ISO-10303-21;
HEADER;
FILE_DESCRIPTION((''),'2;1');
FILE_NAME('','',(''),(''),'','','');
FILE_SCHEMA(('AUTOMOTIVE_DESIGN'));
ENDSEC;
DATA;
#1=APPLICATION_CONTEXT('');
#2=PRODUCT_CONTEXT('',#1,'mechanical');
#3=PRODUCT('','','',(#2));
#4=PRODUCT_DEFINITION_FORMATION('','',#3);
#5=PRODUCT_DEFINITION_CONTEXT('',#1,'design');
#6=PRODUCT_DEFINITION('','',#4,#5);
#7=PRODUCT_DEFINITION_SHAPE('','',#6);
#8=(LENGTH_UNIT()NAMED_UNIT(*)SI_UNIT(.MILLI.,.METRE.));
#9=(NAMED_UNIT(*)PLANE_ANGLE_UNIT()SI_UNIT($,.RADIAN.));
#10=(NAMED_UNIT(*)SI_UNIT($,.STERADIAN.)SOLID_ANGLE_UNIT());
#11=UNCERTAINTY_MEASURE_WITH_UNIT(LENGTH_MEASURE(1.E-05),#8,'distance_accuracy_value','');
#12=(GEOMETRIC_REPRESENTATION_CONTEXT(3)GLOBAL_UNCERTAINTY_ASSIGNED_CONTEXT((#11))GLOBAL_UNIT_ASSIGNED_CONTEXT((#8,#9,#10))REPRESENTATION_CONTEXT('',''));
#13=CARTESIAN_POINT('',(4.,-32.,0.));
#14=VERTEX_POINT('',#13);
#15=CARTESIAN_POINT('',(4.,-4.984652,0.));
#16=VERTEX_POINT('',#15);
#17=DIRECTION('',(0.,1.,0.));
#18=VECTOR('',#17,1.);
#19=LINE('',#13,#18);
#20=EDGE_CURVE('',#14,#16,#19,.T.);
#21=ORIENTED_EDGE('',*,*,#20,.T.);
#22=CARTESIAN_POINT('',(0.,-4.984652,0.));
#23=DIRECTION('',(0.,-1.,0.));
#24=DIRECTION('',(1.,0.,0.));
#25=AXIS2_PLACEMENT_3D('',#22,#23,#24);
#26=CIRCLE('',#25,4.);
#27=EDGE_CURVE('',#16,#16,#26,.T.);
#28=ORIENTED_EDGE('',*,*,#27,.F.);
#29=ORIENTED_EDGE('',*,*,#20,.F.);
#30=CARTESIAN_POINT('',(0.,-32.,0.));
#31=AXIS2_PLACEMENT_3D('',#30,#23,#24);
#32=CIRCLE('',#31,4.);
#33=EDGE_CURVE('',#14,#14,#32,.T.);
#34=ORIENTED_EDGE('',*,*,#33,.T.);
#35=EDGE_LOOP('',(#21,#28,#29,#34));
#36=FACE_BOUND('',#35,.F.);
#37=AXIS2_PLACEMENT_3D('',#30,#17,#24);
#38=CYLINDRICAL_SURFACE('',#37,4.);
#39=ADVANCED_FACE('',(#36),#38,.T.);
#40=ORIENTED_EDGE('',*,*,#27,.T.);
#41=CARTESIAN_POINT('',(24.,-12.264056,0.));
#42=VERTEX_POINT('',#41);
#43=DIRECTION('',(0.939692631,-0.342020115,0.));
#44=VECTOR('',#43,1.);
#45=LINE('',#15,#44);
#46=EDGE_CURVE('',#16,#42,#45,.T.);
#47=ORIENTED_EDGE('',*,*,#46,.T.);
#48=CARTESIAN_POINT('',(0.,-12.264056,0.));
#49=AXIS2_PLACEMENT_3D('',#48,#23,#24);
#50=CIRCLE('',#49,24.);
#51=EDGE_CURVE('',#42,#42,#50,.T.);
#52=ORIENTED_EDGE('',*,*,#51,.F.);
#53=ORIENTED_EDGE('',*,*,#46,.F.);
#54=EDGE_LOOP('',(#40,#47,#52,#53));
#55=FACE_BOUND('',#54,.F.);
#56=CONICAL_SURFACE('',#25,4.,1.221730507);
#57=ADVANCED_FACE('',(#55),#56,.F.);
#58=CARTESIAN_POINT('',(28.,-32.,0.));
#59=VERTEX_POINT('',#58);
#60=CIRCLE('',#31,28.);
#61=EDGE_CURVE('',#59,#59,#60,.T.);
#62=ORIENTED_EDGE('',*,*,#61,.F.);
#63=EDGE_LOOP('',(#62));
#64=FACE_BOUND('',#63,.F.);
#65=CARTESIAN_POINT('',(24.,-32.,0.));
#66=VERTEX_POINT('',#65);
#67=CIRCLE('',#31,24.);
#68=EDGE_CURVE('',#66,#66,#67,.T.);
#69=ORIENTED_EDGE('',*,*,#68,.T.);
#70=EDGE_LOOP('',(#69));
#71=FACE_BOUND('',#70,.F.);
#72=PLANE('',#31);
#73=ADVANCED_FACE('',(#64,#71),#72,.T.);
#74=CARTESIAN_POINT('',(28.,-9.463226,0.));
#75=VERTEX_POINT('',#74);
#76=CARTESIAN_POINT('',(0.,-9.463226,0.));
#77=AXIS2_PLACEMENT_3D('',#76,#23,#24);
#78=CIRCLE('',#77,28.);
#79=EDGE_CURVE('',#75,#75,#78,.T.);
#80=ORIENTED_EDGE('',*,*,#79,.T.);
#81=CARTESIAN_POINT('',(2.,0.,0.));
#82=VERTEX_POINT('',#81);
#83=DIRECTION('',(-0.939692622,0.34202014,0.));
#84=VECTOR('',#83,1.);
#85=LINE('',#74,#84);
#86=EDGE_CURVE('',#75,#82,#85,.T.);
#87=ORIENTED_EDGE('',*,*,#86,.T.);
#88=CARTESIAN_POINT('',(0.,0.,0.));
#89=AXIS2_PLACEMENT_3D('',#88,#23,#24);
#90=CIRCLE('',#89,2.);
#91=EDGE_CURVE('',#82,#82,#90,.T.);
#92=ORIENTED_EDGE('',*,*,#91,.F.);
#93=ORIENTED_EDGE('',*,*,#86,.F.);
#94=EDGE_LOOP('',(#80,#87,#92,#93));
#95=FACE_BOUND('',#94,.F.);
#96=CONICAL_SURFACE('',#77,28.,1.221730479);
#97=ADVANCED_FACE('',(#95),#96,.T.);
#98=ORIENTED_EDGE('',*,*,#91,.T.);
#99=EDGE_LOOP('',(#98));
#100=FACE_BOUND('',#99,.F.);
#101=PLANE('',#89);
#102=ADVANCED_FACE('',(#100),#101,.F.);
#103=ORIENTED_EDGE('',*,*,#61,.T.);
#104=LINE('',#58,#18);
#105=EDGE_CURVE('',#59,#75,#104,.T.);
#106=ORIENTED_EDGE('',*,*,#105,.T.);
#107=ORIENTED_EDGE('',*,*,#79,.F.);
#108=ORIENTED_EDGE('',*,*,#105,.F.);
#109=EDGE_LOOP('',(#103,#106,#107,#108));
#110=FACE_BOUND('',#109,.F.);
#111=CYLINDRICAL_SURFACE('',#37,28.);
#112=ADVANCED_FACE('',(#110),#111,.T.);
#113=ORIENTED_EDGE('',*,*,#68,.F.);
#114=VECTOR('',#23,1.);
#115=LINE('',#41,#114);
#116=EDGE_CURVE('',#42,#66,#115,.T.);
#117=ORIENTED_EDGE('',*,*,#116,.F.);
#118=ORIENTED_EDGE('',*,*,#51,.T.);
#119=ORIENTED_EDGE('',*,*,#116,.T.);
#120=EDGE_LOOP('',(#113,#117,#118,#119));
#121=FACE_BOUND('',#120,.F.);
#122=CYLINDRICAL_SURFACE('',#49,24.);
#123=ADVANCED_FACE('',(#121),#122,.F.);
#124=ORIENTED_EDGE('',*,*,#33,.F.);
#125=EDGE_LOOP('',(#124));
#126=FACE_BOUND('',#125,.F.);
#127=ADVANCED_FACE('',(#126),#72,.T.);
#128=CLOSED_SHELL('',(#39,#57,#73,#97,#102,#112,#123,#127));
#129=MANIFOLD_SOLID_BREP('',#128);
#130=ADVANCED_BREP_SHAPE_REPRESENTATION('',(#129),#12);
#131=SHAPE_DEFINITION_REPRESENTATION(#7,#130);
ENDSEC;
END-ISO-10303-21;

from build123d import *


with BuildPart() as f1:
    # F0 (on Top) → F1 (revolve)
    with BuildSketch(Plane.XY):
        Polygon((2, 0), (0, 0), (0, -32), (4, -32), (4, -4.984652), (24, -12.264056), (24, -32), (28, -32), (28, -9.463226), align=None)
    revolve(axis=Axis((0, -16, 0), (0, -1, 0)))


solid = f1.part
